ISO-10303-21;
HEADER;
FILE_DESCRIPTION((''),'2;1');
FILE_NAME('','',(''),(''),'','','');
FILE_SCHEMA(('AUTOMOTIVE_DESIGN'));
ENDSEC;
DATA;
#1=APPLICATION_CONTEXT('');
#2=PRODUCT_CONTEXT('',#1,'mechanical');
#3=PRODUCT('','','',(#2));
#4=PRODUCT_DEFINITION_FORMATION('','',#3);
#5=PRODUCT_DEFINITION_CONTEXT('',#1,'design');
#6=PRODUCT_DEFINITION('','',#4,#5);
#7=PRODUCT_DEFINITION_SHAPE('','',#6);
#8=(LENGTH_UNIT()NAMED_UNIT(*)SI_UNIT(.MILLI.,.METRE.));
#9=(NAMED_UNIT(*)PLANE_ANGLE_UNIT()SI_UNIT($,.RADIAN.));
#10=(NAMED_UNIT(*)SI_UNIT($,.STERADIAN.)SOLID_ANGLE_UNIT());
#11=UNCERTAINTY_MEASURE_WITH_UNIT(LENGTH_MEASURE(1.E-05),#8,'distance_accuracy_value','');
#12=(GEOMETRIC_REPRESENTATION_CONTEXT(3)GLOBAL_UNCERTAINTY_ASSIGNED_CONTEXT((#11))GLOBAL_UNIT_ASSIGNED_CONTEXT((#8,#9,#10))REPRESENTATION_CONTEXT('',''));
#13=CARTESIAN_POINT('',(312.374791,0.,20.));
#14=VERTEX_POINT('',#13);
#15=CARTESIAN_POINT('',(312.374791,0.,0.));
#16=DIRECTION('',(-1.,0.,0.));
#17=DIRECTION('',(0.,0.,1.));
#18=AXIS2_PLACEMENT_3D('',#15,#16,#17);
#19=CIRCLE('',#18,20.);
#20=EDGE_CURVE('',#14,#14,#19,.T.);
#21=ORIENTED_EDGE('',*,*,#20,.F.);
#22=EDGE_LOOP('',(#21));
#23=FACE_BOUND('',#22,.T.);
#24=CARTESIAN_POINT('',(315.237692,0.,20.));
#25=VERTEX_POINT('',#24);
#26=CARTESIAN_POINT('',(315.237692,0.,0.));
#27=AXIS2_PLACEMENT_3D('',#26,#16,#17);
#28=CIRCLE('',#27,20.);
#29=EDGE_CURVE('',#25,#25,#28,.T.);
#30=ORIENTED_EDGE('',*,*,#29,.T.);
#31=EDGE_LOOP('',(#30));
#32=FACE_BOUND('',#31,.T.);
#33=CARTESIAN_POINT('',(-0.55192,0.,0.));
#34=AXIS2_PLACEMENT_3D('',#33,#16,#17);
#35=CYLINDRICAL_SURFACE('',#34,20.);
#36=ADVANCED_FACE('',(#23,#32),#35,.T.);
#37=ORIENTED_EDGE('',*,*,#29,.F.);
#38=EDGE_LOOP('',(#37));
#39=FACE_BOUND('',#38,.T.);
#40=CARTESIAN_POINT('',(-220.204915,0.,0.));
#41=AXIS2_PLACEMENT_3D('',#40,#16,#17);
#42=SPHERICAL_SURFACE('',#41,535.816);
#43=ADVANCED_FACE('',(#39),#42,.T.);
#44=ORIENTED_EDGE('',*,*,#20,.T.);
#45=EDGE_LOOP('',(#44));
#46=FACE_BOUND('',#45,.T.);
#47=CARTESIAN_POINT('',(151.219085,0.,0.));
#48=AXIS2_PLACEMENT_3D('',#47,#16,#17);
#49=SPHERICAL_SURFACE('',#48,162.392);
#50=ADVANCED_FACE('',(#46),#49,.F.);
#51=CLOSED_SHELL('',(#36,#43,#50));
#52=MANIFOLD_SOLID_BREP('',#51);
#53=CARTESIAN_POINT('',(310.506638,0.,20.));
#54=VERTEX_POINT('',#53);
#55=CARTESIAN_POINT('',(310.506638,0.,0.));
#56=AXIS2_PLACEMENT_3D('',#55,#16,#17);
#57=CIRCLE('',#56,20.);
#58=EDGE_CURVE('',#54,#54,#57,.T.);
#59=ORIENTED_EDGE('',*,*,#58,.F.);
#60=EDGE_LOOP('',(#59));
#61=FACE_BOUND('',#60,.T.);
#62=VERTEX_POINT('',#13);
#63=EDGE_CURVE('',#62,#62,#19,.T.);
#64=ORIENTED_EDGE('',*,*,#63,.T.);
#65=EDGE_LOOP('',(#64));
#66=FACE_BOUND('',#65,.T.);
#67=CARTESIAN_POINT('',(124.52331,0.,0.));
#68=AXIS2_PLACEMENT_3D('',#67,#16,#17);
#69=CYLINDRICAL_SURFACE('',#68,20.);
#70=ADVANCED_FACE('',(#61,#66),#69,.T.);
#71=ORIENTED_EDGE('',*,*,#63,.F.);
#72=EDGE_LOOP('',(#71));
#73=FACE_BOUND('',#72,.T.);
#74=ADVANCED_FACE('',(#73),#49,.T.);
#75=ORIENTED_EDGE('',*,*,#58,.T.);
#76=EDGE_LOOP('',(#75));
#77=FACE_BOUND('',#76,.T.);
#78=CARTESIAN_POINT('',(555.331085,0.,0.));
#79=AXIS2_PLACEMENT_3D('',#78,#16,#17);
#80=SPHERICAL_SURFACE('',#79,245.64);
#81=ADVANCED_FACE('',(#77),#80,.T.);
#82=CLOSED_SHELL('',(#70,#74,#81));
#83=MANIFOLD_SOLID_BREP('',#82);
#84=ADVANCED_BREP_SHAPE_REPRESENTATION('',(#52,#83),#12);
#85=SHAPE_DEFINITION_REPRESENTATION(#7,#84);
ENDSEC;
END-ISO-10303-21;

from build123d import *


with BuildPart() as part:
    # 草图1 one side → 旋转1 (revolve)
    with BuildSketch(Plane(origin=(0, 0, 0), x_dir=(1, 0, 0), z_dir=(0, 1, 0)), mode=Mode.PRIVATE) as revolve_1_sk:
        with BuildLine():
            ThreePointArc((310.506638112, 20), (309.895057668, 10.008310641), (309.691084604, 0))
            Line((309.691084604, 0), (313.611084604, 0))
            ThreePointArc((313.611084604, 0), (313.301716488, 10.019087061), (312.374790876, 20))
            Line((312.374790876, 20), (310.506638112, 20))
        make_face()
    revolve(revolve_1_sk.sketch.rotate(Axis((124.523309526, 0, 0), (1, 0, 0)), 180), axis=Axis((124.523309526, 0, 0), (1, 0, 0)))  # turned: the seam where the file's is


with BuildPart() as body_2:
    # 草图2 one side → 旋转3 (revolve)
    with BuildSketch(Plane(origin=(0, 0, 0), x_dir=(1, 0, 0), z_dir=(0, 1, 0)), mode=Mode.PRIVATE) as revolve_3_sk:
        with BuildLine():
            Line((315.237692038, 20), (312.374790876, 20))
            ThreePointArc((312.374790876, 20), (313.301716488, 10.019087061), (313.611084604, 0))
            Line((313.611084604, 0), (315.611084604, 0))
            ThreePointArc((315.611084604, 0), (315.51772833, 10.001742623), (315.237692038, 20))
        make_face()
    revolve(revolve_3_sk.sketch.rotate(Axis((-0.551919993, 0, 0), (1, 0, 0)), 180), axis=Axis((-0.551919993, 0, 0), (1, 0, 0)))  # turned: the seam where the file's is


solid = Compound([part.part, body_2.part])
